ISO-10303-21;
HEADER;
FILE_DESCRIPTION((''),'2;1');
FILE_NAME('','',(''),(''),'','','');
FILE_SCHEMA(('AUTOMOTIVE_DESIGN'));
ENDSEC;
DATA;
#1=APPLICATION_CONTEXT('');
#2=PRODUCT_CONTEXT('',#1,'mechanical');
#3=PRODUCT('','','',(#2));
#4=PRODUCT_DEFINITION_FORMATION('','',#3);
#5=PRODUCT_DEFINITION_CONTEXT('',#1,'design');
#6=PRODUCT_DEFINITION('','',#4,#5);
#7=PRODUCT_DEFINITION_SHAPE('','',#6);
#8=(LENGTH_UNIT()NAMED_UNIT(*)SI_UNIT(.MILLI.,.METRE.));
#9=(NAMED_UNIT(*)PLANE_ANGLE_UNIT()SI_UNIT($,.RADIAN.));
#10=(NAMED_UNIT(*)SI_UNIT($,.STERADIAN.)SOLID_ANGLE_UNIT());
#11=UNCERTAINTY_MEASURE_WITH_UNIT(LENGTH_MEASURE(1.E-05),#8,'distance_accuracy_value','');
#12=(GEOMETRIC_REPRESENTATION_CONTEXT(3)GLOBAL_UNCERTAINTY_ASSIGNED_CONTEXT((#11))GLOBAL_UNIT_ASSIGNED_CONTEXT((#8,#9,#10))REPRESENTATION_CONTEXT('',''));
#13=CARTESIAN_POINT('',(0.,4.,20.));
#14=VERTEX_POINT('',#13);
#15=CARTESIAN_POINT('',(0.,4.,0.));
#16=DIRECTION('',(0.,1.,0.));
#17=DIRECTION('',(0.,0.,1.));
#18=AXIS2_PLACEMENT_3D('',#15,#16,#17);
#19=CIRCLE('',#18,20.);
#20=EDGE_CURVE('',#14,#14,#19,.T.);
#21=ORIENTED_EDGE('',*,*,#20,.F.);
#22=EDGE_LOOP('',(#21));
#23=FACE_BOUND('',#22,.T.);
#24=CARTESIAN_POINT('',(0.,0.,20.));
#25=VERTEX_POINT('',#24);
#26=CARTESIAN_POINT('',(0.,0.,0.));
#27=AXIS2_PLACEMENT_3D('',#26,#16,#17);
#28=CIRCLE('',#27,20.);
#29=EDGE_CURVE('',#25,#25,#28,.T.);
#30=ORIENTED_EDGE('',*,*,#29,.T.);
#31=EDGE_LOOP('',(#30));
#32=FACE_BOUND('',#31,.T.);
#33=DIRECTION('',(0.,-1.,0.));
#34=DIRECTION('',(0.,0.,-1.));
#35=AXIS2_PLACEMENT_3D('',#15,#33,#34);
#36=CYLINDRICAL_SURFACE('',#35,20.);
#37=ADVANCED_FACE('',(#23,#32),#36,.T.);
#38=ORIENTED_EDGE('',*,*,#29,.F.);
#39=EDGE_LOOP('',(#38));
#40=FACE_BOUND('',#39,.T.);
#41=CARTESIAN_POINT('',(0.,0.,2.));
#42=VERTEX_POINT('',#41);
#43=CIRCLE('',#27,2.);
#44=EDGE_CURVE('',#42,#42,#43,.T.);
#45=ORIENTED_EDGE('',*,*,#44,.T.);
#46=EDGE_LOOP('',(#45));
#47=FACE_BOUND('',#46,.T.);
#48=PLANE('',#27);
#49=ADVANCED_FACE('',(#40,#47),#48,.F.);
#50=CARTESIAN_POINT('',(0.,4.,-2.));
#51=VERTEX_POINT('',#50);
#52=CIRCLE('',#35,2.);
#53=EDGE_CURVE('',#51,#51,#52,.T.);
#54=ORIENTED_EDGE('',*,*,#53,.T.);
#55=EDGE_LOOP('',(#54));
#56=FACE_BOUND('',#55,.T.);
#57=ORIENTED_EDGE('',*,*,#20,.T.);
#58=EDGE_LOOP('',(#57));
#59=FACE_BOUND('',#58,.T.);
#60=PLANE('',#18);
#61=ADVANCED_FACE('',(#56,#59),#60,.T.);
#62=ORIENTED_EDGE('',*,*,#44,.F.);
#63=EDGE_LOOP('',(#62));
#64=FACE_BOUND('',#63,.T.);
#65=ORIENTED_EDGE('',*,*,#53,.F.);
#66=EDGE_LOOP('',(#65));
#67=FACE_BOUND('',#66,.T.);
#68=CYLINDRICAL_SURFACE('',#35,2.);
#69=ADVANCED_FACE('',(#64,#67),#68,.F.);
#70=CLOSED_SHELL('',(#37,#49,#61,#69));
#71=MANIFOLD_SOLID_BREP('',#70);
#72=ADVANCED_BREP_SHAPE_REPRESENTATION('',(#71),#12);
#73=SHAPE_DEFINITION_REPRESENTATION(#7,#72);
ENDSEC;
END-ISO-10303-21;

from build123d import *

# Parameters (mm, degrees)
SKETCH_1_R               = 20
EXTRUDE_1_DEPTH          = 4
CUT_EXTRUDE_1_DEPTH      = 29.565713714
CUT_EXTRUDE_1_DEPTH_BACK = 29.565713714
SKETCH_2_R               = 2


with BuildPart() as part:
    # 草图1 → 凸台-拉伸1 (new body)
    with BuildSketch(Plane(origin=(0, 0, 0), x_dir=(1, 0, 0), z_dir=(0, 1, 0))):
        with Locations(Location((0, 0, 0), (0, 0, 270))):
            Circle(SKETCH_1_R)
    extrude(amount=EXTRUDE_1_DEPTH)

    # 草图2 → 切除-拉伸1 (cut, two sides: drawn at the far end of the back side and taken through both)
    with BuildSketch(Plane.XZ.offset(-CUT_EXTRUDE_1_DEPTH_BACK)):
        with Locations(Location((0, 0, 0), (0, 0, 270))):
            Circle(SKETCH_2_R)
    extrude(amount=CUT_EXTRUDE_1_DEPTH + CUT_EXTRUDE_1_DEPTH_BACK, mode=Mode.SUBTRACT)


solid = part.part
